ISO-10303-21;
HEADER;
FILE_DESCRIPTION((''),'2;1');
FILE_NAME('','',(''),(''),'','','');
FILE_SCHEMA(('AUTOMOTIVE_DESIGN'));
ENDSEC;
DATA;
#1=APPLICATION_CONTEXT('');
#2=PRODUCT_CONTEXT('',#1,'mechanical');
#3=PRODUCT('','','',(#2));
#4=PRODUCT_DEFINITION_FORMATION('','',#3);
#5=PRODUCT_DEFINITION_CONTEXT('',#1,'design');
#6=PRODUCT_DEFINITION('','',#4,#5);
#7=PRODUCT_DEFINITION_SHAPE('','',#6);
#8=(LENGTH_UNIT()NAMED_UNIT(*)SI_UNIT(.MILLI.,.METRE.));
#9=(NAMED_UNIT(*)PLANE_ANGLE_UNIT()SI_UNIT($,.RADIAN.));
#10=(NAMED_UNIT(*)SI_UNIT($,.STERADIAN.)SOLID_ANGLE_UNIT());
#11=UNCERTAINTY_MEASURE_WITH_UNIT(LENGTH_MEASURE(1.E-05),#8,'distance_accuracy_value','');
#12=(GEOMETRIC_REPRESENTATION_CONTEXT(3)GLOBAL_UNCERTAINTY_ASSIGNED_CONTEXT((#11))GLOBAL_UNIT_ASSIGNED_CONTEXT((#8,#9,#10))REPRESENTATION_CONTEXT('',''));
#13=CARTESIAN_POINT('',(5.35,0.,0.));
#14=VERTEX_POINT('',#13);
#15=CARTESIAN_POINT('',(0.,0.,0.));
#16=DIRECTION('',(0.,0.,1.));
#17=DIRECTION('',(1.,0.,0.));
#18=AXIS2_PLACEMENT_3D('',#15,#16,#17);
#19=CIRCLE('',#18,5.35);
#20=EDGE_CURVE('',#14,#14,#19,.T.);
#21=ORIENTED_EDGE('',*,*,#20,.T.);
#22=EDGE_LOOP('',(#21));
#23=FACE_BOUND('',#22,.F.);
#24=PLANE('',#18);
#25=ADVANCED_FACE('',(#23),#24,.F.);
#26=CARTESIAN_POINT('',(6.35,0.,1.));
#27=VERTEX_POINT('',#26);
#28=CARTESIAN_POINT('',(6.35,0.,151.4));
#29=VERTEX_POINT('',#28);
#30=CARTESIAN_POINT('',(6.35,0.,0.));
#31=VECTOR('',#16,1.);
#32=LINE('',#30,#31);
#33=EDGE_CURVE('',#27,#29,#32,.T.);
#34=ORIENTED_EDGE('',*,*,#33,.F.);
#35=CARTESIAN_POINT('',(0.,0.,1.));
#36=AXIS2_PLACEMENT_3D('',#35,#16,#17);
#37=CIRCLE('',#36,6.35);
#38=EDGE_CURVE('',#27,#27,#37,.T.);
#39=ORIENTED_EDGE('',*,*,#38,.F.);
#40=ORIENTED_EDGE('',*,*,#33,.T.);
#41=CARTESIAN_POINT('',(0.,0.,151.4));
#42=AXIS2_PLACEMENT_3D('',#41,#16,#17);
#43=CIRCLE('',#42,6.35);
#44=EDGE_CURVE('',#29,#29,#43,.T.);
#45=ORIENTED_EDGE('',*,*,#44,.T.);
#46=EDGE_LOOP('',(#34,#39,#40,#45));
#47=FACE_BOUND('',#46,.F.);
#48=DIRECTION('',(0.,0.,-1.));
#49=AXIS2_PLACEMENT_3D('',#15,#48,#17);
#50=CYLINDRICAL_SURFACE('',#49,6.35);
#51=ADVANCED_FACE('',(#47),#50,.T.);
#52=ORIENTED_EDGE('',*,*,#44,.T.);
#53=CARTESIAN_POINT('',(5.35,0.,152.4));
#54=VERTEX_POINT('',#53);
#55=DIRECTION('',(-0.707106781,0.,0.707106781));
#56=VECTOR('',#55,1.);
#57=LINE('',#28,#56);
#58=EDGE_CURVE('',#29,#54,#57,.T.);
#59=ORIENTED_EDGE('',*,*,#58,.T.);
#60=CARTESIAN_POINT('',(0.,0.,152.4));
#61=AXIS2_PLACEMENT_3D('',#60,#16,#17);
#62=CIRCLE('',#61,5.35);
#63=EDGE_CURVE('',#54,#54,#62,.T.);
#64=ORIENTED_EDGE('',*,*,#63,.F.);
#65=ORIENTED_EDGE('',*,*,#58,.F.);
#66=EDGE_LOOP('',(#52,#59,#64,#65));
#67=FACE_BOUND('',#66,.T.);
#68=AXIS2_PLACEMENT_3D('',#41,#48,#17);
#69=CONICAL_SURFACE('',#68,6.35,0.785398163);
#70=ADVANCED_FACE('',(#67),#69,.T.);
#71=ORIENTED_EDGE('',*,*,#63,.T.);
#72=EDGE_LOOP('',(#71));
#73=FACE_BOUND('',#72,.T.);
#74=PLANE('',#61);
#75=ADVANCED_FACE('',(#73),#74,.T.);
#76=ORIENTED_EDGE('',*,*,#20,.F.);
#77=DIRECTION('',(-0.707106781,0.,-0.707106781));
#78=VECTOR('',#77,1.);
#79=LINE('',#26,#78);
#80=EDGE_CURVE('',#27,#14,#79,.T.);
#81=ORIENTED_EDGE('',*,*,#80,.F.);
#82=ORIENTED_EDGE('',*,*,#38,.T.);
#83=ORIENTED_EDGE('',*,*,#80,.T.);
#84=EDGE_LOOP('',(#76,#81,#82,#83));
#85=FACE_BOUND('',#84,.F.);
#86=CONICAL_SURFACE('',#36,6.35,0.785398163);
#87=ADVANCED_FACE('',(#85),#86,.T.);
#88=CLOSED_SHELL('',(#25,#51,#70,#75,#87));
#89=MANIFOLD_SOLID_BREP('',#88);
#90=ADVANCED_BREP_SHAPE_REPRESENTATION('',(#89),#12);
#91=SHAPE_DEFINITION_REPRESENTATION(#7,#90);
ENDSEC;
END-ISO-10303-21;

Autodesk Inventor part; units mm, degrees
ref_plane "YZ Plane" through (0, 0, 0) normal (1, 0, 0) x (0, 1, 0)
ref_plane "XZ Plane" through (0, 0, 0) normal (0, 1, 0) x (-1, 0, 0)
ref_plane "XY Plane" through (0, 0, 0) normal (0, 0, 1) x (1, 0, 0)
sketch "Sketch1" plane through (0, 0, 0) normal (0, 0, 1) x (1, 0, 0)
  circle A0 centre (0, 0) radius 6.35
  dimension "d0" = 12.7
extrude "Extrusion1" add sketch "Sketch1" along normal blind 152.4
chamfer "Chamfer1" distance 1 angle 45 2 edges at (-6.35, 0, 152.4) (-6.35, 0, 0)
properties part number "Arm Pivot" material "Steel"
